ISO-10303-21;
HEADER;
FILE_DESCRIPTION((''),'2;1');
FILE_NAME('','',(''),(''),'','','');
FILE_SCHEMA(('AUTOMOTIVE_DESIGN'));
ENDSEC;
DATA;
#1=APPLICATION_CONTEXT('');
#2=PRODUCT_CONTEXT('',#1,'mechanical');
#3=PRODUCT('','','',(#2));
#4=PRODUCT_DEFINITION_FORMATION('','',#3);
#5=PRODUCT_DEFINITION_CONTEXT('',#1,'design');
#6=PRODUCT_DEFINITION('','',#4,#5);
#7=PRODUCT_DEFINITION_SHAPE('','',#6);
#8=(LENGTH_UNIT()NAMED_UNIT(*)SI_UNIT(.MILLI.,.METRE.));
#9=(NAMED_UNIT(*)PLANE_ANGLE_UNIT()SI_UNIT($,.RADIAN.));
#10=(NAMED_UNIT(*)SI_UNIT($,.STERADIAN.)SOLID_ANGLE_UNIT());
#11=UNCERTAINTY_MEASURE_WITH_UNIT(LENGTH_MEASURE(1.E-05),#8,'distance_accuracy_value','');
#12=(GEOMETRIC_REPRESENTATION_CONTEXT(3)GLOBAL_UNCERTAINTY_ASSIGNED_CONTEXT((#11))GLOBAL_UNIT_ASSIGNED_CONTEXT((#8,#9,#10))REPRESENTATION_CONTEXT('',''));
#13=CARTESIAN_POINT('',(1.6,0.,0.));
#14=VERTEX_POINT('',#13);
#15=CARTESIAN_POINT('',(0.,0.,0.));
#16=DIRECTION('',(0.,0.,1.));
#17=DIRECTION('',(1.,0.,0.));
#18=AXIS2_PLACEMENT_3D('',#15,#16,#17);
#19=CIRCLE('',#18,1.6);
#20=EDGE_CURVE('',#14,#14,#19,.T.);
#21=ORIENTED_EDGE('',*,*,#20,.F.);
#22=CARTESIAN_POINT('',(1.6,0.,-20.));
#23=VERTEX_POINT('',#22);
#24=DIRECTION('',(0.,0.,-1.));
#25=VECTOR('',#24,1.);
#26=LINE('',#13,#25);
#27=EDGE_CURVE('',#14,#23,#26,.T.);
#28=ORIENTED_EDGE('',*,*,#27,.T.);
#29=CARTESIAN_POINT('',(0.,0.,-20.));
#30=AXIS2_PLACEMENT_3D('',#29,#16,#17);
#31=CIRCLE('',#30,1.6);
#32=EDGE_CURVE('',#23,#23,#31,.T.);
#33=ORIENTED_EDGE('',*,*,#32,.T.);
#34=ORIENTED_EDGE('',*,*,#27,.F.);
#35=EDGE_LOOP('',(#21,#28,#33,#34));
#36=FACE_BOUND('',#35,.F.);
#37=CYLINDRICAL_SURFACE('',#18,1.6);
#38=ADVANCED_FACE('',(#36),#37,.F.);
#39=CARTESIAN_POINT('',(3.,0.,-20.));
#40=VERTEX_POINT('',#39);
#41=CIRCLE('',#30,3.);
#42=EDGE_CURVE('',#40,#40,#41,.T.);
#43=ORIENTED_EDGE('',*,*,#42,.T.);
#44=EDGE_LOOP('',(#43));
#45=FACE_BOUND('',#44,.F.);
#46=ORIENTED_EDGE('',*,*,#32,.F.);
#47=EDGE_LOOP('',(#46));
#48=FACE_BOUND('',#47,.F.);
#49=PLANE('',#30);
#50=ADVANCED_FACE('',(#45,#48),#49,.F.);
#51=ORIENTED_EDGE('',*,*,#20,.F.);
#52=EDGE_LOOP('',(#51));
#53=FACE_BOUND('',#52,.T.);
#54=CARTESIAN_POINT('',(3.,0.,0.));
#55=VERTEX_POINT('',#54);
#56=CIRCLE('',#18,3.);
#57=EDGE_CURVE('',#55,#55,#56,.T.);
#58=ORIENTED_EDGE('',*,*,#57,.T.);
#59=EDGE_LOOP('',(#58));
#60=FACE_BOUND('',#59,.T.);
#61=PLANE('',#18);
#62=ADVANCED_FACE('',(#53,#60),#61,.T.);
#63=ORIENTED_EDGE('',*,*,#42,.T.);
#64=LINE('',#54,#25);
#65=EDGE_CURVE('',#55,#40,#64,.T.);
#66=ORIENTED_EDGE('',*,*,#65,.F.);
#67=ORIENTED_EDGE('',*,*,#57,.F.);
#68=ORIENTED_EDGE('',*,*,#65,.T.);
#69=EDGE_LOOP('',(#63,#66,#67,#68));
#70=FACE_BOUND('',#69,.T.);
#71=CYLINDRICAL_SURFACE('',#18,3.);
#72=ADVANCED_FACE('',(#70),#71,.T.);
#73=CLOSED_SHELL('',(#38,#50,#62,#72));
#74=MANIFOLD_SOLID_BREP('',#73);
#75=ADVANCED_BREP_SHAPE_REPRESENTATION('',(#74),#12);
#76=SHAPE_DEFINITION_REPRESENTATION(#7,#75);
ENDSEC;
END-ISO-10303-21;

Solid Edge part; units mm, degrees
sketch "Sketch1" plane through (0, 0, 0) normal (0, 0, 1) x (1, 0, 0)
  circle A0 centre (0, 0) radius 3
  circle A1 centre (0, 0) radius 1.6
extrude "Protrusion1" add sketch "Sketch1" against normal blind 20
